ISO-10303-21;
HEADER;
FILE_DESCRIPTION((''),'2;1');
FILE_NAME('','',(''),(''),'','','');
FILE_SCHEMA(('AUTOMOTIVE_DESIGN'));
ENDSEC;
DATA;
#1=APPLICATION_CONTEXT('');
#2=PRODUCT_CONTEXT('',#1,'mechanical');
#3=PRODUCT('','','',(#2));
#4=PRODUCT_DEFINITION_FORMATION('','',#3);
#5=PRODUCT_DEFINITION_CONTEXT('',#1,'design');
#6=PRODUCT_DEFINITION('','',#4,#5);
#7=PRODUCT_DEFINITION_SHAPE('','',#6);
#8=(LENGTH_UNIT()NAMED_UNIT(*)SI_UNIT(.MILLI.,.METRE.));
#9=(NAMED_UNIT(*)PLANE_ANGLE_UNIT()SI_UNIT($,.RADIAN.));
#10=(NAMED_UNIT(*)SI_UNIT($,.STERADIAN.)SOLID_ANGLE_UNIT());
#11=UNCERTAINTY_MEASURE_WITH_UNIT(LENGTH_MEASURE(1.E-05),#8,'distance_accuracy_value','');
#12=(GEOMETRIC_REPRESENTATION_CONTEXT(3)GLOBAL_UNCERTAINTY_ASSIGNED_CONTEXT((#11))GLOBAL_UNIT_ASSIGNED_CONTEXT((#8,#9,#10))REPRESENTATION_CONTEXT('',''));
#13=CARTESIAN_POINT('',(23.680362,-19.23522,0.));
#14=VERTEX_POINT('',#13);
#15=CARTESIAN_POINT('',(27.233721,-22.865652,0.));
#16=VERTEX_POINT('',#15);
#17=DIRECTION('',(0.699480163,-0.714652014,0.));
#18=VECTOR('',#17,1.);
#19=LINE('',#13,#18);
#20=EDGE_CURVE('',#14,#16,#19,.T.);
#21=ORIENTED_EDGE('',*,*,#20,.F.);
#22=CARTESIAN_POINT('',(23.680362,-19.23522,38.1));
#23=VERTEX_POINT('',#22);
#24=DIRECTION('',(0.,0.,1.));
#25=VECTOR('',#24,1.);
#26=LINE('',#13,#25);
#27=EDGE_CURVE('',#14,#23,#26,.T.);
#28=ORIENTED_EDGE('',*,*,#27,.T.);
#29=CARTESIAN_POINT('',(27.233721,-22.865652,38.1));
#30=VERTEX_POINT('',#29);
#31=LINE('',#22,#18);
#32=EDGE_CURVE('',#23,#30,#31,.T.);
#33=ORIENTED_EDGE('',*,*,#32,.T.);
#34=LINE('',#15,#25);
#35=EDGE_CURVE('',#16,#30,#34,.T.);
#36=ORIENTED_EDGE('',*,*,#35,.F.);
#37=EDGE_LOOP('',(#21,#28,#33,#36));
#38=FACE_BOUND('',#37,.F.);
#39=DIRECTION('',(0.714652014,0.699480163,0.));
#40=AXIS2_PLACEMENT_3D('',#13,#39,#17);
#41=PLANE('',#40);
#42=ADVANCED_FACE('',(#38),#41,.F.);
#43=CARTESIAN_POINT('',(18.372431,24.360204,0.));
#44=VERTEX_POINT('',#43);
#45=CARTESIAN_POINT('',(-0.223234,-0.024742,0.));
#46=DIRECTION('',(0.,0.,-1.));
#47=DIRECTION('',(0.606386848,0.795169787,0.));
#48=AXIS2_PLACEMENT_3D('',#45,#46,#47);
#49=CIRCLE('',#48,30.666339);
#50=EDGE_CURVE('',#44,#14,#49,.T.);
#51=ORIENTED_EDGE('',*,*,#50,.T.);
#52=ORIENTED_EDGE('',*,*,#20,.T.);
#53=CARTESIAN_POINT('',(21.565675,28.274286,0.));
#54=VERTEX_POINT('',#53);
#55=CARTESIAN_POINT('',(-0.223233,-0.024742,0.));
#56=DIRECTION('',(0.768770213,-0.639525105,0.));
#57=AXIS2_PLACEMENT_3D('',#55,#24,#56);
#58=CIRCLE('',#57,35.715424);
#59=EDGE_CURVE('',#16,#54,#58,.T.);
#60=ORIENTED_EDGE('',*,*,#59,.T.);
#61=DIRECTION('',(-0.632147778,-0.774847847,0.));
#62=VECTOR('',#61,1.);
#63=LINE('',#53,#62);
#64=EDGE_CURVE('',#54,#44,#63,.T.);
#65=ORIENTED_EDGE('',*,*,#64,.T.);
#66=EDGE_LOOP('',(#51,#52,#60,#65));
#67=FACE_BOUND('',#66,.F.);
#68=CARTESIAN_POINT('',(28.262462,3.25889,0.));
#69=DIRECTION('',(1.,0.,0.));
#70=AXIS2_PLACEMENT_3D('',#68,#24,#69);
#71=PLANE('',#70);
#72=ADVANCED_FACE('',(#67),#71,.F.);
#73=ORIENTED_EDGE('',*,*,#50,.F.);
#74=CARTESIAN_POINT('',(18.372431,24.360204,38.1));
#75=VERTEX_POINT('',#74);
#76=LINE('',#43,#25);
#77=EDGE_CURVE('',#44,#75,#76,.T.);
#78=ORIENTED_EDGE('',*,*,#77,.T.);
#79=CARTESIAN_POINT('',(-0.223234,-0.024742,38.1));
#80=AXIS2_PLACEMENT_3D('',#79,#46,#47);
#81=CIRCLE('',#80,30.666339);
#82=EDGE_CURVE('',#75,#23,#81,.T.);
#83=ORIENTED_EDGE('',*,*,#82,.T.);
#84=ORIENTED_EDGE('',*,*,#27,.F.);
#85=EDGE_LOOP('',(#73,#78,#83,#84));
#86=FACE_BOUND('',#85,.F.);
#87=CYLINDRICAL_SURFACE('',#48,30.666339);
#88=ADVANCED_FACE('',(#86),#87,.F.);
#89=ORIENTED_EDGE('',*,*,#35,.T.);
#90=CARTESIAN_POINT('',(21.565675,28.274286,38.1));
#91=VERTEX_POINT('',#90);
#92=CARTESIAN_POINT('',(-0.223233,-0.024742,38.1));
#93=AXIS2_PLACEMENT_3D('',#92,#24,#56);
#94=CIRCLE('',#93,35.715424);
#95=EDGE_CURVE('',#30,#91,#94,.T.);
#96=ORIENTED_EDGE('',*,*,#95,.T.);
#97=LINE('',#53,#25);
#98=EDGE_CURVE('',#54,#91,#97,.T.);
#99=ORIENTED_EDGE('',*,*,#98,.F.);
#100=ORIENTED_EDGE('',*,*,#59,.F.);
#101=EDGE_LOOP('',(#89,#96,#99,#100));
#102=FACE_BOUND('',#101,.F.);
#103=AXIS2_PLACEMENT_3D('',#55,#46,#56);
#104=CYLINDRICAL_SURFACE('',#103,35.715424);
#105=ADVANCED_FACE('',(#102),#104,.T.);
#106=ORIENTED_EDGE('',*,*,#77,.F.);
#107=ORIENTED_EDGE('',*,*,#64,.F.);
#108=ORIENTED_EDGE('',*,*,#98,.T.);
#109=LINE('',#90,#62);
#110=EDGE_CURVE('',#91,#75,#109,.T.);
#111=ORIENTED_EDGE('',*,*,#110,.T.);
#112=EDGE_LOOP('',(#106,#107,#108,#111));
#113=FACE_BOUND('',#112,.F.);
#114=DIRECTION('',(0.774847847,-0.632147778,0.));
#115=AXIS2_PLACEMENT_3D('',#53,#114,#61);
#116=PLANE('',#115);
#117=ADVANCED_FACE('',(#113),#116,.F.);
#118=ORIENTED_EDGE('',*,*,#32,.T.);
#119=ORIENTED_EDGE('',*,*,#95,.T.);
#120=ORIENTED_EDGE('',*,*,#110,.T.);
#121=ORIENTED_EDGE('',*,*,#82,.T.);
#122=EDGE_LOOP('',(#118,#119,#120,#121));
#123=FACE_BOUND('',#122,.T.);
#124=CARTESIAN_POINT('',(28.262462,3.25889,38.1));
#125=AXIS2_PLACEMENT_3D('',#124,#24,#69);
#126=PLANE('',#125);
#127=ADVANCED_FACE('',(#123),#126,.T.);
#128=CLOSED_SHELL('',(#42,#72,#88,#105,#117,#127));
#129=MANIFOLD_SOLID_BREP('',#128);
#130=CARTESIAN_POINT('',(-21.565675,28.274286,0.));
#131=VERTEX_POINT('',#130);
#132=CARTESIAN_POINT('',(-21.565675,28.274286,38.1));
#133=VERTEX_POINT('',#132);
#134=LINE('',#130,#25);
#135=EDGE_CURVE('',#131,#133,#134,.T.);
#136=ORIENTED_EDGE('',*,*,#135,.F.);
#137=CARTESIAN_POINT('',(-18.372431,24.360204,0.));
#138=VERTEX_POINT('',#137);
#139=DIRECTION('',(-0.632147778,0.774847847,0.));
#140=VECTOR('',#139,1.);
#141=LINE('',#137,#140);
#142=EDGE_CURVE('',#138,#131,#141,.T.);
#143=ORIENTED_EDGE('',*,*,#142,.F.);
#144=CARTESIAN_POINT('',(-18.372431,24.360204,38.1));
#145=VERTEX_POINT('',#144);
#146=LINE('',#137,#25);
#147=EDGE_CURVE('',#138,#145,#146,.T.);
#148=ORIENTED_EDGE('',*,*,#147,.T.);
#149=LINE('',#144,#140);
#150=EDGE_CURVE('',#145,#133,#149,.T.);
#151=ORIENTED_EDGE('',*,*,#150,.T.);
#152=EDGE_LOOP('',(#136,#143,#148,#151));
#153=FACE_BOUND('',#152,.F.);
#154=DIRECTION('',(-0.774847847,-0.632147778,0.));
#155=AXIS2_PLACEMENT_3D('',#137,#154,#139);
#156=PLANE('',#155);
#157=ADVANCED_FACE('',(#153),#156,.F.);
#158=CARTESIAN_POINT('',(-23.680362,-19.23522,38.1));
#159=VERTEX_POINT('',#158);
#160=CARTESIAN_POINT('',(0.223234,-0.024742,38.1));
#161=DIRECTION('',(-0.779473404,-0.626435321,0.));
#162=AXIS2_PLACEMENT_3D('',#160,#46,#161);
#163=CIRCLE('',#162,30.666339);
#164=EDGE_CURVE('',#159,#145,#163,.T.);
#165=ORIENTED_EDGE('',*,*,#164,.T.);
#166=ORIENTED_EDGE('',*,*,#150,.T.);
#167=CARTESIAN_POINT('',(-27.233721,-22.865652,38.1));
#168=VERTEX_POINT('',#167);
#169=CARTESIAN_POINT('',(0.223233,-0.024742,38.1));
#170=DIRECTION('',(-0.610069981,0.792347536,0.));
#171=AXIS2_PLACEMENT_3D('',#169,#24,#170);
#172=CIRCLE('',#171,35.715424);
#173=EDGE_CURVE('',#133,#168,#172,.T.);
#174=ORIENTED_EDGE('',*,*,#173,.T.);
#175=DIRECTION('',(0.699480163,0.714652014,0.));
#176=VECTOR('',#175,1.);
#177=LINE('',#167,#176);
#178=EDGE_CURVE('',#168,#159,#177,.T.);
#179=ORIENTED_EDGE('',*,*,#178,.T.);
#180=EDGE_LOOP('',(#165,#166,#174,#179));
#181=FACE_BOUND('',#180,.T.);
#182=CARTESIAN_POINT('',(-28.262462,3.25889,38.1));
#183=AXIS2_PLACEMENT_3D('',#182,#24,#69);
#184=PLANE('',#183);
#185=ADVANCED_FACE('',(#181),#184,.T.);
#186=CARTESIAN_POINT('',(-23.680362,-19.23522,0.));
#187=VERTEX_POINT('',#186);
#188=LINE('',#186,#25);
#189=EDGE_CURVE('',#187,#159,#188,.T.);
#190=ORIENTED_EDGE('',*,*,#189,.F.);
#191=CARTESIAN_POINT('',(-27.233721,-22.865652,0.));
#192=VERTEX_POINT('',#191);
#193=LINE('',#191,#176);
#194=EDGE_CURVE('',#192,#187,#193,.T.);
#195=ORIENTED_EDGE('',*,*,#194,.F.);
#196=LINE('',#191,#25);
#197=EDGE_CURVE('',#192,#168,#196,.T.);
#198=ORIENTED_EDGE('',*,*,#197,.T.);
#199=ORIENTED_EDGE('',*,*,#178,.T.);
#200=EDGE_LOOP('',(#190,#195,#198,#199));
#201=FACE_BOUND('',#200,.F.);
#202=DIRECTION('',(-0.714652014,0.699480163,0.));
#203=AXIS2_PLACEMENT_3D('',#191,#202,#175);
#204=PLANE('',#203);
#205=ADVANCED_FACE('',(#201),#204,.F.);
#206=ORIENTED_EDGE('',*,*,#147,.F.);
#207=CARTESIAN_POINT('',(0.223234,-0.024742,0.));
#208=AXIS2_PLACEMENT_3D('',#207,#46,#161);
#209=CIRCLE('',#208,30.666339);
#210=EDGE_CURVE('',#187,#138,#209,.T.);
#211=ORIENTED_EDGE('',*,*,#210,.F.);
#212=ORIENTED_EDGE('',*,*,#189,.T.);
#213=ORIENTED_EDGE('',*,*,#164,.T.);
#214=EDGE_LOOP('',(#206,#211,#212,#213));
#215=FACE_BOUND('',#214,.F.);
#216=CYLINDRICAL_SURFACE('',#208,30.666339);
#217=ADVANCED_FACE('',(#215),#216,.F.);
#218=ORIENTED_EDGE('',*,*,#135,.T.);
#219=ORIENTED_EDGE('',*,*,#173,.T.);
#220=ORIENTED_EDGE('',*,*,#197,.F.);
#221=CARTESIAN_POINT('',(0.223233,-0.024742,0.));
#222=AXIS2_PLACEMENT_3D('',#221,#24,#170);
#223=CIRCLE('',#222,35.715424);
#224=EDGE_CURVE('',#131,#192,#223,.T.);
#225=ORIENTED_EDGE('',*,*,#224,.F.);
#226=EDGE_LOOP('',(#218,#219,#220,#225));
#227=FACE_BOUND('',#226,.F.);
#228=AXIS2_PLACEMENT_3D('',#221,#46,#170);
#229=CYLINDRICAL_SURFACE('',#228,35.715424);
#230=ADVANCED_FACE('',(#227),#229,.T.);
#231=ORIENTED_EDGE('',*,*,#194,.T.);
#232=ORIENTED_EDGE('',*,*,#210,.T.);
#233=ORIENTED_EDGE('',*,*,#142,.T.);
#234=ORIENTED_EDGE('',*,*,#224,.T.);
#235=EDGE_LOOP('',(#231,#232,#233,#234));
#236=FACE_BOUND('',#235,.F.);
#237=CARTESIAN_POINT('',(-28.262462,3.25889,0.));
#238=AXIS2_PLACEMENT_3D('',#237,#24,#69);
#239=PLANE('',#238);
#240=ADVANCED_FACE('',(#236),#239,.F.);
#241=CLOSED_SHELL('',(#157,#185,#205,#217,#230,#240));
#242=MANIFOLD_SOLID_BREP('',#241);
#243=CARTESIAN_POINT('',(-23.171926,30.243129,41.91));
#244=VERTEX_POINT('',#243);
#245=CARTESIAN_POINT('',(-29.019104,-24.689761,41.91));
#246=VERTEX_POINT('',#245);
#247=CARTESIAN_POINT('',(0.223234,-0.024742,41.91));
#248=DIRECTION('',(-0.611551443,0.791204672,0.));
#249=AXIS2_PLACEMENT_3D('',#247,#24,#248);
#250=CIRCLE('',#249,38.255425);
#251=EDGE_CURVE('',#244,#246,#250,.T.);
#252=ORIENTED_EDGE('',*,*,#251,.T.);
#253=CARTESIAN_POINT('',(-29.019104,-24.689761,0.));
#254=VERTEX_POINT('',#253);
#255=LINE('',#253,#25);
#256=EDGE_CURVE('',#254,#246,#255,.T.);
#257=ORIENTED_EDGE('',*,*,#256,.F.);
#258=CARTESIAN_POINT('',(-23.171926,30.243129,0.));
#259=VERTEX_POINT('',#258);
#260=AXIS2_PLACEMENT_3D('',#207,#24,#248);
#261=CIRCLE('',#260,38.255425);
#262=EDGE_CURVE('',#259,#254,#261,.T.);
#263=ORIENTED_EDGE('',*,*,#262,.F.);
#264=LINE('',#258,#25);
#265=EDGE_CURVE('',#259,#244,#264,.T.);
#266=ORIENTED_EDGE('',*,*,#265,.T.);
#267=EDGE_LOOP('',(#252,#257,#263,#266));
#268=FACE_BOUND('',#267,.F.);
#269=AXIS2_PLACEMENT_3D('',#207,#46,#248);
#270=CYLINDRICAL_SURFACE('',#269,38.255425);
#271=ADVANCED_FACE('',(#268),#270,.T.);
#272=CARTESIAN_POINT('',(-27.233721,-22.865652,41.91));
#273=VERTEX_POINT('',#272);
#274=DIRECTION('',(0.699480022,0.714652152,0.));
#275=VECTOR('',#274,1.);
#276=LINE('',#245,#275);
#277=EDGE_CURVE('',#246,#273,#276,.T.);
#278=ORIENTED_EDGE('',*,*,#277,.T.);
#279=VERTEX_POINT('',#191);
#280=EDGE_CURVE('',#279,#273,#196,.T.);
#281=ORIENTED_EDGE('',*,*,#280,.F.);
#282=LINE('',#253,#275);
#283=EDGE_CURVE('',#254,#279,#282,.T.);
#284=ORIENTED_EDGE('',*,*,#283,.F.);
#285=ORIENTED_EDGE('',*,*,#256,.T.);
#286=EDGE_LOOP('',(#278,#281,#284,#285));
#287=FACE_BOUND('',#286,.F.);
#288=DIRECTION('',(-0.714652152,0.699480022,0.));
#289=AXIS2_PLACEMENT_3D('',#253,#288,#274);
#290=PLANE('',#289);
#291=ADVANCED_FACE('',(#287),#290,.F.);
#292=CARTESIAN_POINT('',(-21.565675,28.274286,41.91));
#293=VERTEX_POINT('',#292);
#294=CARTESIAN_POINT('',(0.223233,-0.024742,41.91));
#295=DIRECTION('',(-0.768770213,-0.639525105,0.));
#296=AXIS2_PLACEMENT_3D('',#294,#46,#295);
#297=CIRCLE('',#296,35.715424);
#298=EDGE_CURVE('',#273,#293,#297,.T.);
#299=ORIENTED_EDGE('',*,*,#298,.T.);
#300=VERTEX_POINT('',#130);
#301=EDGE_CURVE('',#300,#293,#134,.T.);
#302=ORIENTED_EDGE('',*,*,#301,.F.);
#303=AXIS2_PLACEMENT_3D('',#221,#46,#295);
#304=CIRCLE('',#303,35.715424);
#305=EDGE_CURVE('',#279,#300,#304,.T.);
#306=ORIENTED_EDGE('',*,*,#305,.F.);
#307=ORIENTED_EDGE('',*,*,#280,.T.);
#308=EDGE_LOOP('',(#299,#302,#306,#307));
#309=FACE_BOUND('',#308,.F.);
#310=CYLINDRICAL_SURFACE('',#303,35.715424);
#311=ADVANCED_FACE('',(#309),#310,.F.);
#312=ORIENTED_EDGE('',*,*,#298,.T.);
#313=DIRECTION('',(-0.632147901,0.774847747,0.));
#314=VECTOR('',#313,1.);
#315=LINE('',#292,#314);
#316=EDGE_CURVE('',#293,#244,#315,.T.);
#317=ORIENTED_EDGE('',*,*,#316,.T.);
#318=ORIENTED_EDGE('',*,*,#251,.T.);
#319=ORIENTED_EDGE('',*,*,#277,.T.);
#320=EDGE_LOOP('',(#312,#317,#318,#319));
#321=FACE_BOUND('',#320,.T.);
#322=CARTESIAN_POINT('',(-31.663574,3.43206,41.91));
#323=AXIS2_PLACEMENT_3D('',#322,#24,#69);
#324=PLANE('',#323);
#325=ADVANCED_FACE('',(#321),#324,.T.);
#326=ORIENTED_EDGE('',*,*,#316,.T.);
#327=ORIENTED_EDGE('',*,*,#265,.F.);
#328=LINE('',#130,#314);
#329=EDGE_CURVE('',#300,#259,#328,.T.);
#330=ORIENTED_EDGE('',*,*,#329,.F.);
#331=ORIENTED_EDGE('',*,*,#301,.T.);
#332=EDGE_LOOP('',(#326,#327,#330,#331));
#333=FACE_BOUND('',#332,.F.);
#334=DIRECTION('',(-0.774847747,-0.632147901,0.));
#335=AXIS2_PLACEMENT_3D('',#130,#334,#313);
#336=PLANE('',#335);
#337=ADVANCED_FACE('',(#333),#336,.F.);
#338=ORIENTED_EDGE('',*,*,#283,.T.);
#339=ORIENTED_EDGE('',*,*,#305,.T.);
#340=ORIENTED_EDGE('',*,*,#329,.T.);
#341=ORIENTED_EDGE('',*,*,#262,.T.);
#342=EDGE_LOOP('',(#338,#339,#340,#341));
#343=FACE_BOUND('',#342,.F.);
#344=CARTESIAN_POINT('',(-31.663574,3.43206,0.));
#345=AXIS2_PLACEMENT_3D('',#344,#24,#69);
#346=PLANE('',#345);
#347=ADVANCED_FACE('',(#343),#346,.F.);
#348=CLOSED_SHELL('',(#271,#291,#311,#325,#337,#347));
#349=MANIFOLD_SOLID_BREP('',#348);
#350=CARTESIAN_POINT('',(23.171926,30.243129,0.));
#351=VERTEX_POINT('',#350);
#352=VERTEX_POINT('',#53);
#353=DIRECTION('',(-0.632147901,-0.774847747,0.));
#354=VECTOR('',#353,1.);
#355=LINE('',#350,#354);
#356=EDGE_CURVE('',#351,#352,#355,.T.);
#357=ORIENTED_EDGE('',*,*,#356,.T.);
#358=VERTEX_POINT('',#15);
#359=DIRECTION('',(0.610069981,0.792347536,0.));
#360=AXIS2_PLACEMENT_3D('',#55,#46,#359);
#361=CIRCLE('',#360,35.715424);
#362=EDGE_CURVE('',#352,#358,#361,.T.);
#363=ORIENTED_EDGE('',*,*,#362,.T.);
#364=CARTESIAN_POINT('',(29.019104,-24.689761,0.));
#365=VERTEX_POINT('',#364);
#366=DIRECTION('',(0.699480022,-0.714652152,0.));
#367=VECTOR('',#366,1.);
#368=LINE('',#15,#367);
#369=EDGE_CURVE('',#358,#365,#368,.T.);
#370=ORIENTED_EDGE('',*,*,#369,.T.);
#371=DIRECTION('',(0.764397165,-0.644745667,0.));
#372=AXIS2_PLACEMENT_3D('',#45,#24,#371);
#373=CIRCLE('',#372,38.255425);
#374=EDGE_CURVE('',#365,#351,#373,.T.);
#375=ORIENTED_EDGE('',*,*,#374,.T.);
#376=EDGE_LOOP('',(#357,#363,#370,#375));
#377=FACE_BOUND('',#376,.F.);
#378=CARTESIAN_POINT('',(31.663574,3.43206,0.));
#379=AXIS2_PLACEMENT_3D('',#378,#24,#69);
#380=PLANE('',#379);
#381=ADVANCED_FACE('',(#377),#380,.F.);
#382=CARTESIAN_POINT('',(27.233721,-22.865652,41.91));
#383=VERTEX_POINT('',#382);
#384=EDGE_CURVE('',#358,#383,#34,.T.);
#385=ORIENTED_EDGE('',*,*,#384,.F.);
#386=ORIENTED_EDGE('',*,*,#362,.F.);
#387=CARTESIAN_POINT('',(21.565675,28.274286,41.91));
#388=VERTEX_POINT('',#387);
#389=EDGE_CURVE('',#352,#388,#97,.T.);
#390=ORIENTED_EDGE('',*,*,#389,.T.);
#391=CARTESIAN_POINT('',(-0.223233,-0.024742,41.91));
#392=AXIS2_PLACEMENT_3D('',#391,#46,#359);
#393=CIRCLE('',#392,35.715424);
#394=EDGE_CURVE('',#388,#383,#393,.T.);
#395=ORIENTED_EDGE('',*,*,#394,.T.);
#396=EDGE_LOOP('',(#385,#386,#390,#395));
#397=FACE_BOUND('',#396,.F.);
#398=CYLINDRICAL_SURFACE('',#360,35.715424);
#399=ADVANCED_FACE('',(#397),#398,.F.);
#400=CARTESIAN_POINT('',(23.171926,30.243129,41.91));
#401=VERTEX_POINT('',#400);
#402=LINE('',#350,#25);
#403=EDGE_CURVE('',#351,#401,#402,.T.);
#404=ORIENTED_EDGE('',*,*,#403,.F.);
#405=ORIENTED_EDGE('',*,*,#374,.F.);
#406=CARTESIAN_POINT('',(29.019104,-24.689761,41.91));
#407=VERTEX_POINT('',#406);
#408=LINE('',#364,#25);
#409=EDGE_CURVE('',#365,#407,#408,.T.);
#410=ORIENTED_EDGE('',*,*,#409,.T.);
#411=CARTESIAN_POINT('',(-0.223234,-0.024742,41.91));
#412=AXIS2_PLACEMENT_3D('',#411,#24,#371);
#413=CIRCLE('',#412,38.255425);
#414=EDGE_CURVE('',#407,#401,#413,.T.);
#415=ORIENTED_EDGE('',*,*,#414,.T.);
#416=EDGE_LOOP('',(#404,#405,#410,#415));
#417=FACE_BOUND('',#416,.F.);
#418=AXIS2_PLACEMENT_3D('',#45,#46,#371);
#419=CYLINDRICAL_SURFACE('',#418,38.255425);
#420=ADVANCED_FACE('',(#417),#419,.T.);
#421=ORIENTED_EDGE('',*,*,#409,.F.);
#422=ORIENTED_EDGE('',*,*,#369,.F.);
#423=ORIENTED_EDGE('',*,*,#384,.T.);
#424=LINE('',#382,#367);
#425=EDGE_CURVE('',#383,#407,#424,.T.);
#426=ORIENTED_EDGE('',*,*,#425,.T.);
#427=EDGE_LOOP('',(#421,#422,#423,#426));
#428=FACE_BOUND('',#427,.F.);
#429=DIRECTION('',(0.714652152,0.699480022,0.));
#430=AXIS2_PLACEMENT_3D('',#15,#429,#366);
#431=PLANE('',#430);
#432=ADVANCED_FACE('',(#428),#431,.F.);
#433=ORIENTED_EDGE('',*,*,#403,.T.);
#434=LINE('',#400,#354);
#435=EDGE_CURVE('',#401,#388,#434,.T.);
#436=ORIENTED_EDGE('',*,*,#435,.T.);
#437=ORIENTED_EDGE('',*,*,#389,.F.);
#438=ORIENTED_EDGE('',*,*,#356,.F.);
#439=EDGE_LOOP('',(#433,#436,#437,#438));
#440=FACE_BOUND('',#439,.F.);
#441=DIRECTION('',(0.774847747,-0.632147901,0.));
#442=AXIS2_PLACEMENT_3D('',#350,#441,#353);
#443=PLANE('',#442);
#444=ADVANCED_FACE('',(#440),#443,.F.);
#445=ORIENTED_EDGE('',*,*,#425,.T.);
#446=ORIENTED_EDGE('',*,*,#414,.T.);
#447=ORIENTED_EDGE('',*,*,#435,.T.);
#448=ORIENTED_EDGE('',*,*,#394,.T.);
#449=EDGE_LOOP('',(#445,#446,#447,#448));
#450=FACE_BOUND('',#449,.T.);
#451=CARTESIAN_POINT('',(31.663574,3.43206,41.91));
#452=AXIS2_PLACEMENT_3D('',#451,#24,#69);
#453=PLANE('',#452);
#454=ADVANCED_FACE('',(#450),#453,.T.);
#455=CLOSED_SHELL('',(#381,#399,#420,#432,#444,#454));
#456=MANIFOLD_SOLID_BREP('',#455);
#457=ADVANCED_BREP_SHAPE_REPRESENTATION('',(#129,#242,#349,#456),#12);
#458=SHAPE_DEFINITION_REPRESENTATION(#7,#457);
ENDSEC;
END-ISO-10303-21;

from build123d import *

# Parameters (mm, degrees)
F2_DEPTH = 41.91
F3_DEPTH = 38.1


with BuildPart() as f2:
    # F1 (on Top) → F2 (new body)
    with BuildSketch(Plane.XY):
        with BuildLine():
            ThreePointArc((-27.233721, -22.865652), (-35.274824, 3.909651), (-21.565675, 28.274286))
            Line((-21.565675, 28.274286), (-23.171926, 30.243129))
            ThreePointArc((-23.171926, 30.243129), (-37.817299, 4.024376), (-29.019104, -24.689761))
            Line((-29.019104, -24.689761), (-27.233721, -22.865652))
        make_face()
        with BuildLine():
            Line((23.171926, 30.243129), (21.565675, 28.274286))
            ThreePointArc((21.565675, 28.274286), (35.274824, 3.909651), (27.233721, -22.865652))
            Line((27.233721, -22.865652), (29.019104, -24.689761))
            ThreePointArc((29.019104, -24.689761), (37.817299, 4.024376), (23.171926, 30.243129))
        make_face()
    extrude(amount=F2_DEPTH)


with BuildPart() as f3:
    # F1 (on Top) → F3 (new body)
    with BuildSketch(Plane.XY):
        with BuildLine():
            ThreePointArc((-23.680362, -19.23522), (-30.218301, 3.681646), (-18.372431, 24.360204))
            Line((-18.372431, 24.360204), (-21.565675, 28.274286))
            ThreePointArc((-21.565675, 28.274286), (-35.274824, 3.909651), (-27.233721, -22.865652))
            Line((-27.233721, -22.865652), (-23.680362, -19.23522))
        make_face()
        with BuildLine():
            Line((21.565675, 28.274286), (18.372431, 24.360204))
            ThreePointArc((18.372431, 24.360204), (30.218301, 3.681646), (23.680362, -19.23522))
            Line((23.680362, -19.23522), (27.233721, -22.865652))
            ThreePointArc((27.233721, -22.865652), (35.274824, 3.909651), (21.565675, 28.274286))
        make_face()
    extrude(amount=F3_DEPTH)


solid = Compound([f2.part, f3.part])
